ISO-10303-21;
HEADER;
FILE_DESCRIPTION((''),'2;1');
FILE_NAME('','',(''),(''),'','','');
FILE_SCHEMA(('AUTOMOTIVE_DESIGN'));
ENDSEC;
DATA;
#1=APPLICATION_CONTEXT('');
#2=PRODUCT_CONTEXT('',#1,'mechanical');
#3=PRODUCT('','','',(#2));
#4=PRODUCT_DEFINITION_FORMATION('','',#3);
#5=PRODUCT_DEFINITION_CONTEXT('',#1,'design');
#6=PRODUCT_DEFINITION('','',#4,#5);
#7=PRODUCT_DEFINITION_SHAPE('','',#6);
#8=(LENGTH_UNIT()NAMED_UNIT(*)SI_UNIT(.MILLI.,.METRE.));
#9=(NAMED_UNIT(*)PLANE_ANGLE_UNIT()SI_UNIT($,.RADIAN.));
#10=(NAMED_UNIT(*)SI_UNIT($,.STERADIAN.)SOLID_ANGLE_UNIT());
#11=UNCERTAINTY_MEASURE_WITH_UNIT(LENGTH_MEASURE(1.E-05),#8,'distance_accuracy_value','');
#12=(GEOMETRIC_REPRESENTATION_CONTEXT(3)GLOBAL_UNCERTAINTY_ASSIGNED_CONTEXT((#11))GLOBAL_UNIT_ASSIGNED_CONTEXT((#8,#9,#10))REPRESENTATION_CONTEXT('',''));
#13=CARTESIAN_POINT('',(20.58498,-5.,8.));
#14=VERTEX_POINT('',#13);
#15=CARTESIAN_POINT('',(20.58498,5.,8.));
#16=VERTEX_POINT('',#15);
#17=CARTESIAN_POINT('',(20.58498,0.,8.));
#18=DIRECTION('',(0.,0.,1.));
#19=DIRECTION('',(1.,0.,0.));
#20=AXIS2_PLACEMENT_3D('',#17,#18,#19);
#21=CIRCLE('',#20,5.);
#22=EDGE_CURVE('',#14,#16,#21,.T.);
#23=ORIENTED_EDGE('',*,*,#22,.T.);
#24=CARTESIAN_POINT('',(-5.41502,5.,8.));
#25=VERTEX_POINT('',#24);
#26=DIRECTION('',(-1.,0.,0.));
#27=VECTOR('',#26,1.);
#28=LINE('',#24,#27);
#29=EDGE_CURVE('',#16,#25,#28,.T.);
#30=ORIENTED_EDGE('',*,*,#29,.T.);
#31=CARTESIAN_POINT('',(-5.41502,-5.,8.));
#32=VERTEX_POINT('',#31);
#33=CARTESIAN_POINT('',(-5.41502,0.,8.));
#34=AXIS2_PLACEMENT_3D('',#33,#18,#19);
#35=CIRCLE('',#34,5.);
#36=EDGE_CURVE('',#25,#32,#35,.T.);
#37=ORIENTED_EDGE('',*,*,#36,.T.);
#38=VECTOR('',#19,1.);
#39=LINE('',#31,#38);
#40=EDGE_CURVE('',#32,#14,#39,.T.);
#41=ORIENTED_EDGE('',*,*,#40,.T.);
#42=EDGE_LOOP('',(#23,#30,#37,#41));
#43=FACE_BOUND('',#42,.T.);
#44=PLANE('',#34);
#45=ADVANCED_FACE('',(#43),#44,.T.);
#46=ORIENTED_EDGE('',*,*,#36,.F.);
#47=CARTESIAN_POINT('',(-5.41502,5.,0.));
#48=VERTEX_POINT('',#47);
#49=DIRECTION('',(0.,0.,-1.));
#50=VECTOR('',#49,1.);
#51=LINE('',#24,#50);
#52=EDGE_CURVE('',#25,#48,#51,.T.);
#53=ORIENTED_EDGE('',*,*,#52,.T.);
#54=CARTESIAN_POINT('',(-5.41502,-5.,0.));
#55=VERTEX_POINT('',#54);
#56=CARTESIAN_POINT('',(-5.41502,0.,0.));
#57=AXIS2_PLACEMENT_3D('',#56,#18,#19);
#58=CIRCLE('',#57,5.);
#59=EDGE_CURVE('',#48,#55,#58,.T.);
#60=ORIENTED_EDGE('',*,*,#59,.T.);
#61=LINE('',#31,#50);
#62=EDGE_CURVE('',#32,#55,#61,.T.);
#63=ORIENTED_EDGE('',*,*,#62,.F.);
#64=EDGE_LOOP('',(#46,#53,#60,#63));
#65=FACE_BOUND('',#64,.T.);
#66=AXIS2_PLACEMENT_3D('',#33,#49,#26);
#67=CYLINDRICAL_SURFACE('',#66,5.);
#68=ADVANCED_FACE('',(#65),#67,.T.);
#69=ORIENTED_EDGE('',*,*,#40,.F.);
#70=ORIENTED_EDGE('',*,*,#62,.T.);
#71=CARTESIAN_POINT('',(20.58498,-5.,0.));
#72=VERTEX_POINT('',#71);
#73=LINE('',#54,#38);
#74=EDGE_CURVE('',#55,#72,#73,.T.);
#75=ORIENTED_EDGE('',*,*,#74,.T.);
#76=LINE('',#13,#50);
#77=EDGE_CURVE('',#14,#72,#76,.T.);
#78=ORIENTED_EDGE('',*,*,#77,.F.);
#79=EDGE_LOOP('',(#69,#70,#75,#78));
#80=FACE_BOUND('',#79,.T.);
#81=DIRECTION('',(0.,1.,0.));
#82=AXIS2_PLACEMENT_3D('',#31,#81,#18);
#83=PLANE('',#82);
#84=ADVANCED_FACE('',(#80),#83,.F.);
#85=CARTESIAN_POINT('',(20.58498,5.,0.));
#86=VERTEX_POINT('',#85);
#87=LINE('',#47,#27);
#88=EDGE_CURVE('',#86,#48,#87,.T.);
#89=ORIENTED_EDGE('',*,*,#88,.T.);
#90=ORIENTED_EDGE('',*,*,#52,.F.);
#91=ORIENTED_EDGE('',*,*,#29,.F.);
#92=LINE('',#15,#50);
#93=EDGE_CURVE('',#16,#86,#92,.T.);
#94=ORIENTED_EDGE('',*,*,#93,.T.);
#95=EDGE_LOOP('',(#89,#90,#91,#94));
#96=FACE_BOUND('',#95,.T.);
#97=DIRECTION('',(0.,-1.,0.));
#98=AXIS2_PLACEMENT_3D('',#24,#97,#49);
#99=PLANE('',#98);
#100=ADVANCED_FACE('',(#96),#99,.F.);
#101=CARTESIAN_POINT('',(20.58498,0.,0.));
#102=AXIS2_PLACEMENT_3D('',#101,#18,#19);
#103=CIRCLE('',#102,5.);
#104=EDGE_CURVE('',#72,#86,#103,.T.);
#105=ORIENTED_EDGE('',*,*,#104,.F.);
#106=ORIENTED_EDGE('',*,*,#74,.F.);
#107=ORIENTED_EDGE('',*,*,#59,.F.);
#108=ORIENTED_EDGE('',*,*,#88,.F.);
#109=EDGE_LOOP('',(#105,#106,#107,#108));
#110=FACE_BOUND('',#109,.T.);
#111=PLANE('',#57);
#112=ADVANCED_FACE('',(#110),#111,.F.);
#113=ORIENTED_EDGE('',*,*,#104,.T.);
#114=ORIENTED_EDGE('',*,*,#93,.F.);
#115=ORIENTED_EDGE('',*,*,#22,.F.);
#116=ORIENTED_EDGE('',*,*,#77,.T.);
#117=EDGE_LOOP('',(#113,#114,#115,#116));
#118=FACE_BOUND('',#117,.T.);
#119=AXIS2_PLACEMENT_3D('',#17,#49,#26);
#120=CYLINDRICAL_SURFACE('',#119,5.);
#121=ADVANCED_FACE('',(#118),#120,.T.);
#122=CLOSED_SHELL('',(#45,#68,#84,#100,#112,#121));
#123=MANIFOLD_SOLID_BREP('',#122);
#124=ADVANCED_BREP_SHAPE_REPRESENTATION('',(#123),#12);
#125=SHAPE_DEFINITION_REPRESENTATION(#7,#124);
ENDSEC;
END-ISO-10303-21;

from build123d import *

# Parameters (mm, degrees)
BOSS_EXTRUDE1_DEPTH = 8


with BuildPart() as part:
    # Sketch1 → Boss-Extrude1 (new body)
    with BuildSketch(Plane.XY):
        with BuildLine():
            Line((-5.415019763, 5), (20.584980237, 5))
            ThreePointArc((20.584980237, 5), (25.584980237, 0), (20.584980237, -5))
            Line((20.584980237, -5), (-5.415019763, -5))
            ThreePointArc((-5.415019763, -5), (-10.415019763, 0), (-5.415019763, 5))
        make_face()
    extrude(amount=BOSS_EXTRUDE1_DEPTH)


solid = part.part
